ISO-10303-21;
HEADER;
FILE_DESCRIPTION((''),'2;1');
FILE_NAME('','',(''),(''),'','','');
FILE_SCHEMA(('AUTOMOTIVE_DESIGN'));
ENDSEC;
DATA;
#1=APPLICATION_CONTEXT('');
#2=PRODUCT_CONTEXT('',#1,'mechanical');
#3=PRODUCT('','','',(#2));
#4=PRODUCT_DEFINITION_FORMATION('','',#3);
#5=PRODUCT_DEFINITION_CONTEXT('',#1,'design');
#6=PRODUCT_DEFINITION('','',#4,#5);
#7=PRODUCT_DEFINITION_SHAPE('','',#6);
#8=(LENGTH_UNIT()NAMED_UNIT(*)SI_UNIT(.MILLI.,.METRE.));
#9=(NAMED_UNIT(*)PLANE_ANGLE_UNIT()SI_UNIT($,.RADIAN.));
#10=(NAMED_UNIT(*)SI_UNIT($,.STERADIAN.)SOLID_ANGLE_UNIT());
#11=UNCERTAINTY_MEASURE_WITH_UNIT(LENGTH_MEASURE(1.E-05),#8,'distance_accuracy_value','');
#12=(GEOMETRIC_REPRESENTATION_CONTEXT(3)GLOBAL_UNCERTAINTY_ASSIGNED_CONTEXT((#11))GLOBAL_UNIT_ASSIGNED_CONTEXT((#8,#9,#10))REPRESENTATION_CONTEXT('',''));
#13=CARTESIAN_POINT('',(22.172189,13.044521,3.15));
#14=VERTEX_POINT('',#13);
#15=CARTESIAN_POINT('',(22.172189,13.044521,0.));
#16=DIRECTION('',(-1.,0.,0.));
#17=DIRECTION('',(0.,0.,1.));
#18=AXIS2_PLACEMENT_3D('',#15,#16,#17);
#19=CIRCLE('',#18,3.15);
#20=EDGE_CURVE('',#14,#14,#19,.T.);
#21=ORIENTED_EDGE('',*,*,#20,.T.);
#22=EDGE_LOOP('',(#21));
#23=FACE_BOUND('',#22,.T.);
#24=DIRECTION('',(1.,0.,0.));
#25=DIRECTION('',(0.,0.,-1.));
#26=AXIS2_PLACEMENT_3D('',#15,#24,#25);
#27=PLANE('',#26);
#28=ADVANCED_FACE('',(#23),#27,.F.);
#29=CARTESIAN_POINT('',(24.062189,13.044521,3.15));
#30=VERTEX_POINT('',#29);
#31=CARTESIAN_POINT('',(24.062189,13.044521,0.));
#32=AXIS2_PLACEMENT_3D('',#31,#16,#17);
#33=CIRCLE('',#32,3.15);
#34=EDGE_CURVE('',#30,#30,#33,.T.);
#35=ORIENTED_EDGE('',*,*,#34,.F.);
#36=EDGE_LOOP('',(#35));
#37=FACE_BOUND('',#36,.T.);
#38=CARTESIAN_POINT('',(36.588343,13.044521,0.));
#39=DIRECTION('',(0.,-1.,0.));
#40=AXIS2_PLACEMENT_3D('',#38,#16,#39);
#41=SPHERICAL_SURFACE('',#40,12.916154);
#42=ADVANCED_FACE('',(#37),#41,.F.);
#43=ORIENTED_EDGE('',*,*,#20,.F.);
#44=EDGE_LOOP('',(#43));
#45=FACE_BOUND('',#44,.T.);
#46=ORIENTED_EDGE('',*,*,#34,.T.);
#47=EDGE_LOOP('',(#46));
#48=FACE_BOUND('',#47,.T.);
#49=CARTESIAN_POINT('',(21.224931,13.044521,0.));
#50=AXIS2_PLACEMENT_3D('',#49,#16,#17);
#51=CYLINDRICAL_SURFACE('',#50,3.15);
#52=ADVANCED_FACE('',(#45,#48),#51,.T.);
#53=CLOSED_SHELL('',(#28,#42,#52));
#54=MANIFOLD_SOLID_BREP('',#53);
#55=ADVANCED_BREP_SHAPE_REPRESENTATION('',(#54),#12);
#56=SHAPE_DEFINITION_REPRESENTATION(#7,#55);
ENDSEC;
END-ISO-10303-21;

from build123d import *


with BuildPart() as part:
    # 草图1 → 旋转1 (revolve)
    with BuildSketch(Plane.XY, mode=Mode.PRIVATE) as revolve_1_sk:
        with BuildLine():
            Line((22.172189475, 13.044520575), (22.172189475, 16.194520575))
            Line((22.172189475, 16.194520575), (24.062189475, 16.194520575))
            ThreePointArc((24.062189475, 16.194520575), (23.770060278, 14.631546094), (23.672189475, 13.044520575))
            Line((23.672189475, 13.044520575), (22.172189475, 13.044520575))
        make_face()
    revolve(revolve_1_sk.sketch.rotate(Axis((21.224930557, 13.044520575, 0), (1, 0, 0)), 180), axis=Axis((21.224930557, 13.044520575, 0), (1, 0, 0)))  # turned: the seam where the file's is


solid = part.part
